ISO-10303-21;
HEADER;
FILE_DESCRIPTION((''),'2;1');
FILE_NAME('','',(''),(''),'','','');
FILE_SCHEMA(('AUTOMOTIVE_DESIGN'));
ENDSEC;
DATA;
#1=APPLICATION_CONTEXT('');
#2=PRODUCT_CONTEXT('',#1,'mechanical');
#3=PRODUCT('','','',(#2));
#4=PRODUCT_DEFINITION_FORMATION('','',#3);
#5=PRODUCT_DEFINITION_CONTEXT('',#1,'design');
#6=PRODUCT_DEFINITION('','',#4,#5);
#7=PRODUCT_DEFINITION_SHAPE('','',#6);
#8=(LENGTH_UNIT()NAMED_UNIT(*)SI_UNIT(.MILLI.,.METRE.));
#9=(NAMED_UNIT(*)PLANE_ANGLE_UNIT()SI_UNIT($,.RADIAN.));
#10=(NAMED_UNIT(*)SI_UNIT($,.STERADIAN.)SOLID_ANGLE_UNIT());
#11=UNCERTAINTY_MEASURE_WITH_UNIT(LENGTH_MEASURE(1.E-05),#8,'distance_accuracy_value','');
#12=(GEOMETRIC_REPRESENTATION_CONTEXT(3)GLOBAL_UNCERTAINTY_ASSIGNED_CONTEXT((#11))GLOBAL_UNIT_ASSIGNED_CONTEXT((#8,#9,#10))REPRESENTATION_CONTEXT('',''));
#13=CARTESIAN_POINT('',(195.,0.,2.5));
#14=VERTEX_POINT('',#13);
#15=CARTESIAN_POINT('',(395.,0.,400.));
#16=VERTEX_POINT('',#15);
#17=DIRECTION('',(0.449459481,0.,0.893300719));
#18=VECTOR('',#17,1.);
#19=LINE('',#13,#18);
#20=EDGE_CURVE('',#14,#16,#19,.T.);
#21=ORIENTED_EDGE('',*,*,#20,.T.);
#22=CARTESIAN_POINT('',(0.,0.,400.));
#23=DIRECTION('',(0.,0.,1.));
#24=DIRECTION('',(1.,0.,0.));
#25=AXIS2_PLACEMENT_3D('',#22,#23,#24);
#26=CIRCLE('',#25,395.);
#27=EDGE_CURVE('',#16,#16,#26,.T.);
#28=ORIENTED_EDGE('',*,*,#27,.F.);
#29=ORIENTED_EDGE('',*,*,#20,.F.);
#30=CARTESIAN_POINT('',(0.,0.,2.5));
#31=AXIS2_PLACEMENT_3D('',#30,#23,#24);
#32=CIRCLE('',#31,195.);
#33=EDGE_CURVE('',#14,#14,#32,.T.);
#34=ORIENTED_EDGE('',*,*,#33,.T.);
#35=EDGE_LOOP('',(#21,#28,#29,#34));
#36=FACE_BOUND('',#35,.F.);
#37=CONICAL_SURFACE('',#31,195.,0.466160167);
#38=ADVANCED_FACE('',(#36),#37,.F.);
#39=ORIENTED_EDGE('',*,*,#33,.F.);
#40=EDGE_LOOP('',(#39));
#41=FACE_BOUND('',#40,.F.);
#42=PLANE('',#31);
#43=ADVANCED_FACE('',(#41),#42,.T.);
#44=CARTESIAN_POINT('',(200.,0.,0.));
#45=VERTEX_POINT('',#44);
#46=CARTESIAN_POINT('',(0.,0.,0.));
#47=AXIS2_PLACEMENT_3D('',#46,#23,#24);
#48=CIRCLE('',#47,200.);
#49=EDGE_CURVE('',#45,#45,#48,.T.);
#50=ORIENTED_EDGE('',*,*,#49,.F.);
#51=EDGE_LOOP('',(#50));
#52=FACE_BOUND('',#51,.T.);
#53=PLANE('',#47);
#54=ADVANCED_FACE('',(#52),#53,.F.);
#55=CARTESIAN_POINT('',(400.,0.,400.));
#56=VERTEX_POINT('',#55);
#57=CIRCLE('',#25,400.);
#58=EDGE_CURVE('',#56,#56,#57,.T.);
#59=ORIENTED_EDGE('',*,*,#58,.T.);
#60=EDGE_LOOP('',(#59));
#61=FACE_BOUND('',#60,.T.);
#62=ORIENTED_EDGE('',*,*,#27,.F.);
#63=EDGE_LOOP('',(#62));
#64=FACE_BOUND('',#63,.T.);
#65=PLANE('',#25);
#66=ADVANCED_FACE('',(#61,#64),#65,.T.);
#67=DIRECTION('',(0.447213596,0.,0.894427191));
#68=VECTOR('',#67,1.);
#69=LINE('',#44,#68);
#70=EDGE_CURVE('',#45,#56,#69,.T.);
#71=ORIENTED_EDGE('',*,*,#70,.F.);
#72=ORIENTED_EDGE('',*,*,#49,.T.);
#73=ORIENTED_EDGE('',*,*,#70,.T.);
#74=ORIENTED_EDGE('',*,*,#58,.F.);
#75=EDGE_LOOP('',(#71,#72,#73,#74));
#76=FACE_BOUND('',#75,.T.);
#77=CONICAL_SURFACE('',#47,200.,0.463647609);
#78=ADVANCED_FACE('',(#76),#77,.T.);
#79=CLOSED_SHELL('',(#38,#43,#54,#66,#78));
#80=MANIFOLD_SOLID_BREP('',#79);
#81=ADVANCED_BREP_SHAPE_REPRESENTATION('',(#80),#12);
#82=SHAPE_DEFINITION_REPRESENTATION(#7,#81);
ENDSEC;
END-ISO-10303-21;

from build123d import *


with BuildPart() as cono001:
    # Cone001 → Cone001 (revolve)
    with BuildSketch(Plane(origin=(0, 0, 2.5), x_dir=(1, 0, 0), z_dir=(0, -1, 0))):
        Polygon((0, 0), (195, 0), (395, 397.5), (0, 397.5), align=None)
    revolve(axis=Axis((0, 0, 2.5), (0, 0, 1)))


with BuildPart() as cut:
    # Cone → Cone (revolve)
    with BuildSketch(Plane.XZ):
        Polygon((0, 0), (200, 0), (400, 400), (0, 400), align=None)
    revolve(axis=Axis((0, 0, 0), (0, 0, 1)))

    # Cut: cut Cono001
    add(cono001.part, mode=Mode.SUBTRACT)


solid = cut.part
